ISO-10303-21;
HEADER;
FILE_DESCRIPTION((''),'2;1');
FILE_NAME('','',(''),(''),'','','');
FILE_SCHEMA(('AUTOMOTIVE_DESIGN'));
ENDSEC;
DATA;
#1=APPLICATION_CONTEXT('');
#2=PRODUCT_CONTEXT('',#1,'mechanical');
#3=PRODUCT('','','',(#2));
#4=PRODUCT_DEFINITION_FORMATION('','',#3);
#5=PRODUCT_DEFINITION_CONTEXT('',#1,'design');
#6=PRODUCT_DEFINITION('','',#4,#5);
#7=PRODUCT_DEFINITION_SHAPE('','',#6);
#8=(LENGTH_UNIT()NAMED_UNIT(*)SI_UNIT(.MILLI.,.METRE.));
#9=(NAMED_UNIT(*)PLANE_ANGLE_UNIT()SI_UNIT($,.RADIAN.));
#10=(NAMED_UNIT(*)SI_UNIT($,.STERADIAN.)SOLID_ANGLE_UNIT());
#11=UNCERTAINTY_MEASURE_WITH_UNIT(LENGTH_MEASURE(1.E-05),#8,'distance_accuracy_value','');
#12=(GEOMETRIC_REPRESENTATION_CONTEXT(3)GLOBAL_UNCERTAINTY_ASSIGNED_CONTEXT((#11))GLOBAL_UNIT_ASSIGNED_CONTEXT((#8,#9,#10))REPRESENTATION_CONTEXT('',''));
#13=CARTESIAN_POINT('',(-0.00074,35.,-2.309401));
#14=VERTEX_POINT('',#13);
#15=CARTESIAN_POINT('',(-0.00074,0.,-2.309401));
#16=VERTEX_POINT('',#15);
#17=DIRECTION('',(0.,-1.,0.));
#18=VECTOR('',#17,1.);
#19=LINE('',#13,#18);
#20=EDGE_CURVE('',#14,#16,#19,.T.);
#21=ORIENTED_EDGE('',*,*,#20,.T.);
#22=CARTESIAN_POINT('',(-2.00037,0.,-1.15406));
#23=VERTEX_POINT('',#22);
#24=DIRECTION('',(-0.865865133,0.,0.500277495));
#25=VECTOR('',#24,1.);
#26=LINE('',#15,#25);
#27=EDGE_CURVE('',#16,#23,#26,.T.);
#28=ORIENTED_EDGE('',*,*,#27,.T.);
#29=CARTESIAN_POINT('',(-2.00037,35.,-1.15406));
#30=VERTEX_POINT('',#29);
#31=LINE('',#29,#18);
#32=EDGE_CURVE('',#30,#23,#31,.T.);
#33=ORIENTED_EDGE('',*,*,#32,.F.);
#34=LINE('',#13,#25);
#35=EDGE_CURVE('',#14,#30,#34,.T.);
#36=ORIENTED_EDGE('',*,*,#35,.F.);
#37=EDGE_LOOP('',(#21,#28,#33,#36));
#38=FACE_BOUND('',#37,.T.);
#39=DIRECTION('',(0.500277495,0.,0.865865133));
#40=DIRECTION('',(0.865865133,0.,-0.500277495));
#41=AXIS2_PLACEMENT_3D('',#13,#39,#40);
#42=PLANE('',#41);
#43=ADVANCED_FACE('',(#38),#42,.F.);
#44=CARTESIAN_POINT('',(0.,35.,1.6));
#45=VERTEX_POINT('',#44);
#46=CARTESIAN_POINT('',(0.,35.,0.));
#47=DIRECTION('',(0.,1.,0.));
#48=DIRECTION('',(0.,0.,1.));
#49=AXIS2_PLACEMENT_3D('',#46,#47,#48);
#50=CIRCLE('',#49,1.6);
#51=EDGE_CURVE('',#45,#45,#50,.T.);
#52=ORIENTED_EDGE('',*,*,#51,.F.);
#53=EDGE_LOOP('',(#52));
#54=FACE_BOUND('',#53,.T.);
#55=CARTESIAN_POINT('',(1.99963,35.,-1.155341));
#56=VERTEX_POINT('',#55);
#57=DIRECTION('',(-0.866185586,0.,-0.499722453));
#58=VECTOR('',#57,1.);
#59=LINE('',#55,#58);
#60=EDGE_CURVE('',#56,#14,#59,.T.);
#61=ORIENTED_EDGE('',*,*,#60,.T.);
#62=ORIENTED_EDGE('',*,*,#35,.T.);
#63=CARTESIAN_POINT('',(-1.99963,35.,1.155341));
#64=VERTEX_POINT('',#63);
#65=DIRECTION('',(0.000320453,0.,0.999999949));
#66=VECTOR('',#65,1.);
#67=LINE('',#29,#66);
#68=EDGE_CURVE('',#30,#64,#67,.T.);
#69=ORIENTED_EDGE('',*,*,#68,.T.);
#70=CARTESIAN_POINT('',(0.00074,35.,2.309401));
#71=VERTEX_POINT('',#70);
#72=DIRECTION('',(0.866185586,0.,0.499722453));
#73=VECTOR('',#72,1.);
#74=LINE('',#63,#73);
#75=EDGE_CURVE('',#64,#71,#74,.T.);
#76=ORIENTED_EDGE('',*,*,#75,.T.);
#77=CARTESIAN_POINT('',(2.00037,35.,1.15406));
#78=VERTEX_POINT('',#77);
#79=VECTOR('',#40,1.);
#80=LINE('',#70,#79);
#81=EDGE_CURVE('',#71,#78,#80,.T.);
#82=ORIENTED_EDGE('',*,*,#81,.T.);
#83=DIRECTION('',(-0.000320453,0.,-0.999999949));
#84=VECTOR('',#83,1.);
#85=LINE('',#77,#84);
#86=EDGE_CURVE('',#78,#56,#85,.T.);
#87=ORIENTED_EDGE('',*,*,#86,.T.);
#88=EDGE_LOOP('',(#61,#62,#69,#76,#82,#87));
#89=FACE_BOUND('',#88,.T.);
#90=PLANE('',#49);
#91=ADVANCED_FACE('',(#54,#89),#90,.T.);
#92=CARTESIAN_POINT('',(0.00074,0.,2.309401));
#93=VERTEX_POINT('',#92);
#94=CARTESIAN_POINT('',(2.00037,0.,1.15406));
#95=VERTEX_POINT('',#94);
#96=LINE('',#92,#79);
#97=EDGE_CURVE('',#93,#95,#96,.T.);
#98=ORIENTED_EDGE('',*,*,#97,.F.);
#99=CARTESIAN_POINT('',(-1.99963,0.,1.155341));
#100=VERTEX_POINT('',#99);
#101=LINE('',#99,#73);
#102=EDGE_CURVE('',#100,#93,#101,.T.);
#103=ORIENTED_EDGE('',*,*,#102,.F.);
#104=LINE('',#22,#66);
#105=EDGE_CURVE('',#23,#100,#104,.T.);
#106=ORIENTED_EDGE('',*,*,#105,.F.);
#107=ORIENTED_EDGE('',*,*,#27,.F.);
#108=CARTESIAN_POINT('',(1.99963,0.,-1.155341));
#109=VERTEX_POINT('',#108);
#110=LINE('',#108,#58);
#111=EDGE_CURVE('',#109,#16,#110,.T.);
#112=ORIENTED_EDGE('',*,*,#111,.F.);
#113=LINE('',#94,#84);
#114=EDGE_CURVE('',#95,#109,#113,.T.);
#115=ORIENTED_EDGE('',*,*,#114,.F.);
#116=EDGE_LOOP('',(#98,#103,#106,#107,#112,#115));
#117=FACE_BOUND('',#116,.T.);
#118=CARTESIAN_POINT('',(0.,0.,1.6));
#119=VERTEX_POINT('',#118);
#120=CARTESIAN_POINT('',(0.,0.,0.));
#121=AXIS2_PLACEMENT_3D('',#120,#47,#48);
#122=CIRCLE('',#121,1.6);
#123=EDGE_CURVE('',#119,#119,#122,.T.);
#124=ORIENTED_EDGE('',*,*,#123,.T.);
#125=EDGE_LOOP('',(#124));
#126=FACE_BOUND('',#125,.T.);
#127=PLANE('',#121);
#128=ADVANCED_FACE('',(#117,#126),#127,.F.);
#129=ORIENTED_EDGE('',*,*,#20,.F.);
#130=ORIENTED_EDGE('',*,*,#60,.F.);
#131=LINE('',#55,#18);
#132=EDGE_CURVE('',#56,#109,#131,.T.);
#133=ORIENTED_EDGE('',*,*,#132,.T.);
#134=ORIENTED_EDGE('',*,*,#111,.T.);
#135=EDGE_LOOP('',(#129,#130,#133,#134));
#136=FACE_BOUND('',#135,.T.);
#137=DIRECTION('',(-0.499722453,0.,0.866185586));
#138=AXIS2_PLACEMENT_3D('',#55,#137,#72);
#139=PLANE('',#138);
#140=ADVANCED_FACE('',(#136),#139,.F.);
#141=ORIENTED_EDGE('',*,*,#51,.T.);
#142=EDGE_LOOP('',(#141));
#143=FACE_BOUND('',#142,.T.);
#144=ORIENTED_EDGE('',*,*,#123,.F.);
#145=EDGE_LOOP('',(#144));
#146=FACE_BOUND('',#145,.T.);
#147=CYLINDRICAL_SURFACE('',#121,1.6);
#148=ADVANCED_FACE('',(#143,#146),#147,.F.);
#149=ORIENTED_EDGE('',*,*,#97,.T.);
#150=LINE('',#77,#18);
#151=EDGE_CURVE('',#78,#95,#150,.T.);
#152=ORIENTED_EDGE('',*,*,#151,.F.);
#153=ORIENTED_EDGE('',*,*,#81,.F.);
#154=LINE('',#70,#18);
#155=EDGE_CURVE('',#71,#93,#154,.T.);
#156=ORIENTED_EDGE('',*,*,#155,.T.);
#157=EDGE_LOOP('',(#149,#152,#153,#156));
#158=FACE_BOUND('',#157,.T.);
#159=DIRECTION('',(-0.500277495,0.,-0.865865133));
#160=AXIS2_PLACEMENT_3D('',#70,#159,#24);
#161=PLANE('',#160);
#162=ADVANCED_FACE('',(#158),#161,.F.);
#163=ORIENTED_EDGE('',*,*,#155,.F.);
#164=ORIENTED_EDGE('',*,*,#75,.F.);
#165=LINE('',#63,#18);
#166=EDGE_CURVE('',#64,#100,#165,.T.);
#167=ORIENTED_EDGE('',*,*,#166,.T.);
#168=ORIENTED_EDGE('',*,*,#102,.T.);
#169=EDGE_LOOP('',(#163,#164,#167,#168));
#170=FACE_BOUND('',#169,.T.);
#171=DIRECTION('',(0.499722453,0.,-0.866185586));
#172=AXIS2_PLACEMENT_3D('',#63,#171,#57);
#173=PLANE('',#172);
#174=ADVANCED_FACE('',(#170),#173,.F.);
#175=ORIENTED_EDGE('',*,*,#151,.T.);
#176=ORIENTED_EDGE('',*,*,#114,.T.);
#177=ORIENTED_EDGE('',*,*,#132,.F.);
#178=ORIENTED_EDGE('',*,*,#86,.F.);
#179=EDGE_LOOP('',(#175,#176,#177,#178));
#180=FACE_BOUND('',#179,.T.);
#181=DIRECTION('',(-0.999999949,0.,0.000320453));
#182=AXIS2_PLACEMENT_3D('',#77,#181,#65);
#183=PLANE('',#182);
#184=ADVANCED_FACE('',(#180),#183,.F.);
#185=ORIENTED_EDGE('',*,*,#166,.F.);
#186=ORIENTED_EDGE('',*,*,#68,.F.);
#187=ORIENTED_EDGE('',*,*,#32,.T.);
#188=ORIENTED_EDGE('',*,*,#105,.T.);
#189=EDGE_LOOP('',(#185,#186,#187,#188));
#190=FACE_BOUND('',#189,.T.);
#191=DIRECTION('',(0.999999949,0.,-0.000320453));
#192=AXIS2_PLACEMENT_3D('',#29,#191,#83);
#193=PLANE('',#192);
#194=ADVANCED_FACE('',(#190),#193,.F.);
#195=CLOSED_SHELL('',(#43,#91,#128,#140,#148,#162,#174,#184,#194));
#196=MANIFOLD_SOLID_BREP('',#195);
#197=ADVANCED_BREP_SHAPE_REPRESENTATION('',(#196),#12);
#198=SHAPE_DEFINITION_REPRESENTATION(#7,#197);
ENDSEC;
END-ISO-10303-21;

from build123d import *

# Parameters (mm, degrees)
EXTRUDE_1_DEPTH     = 35
SKETCH_2_R          = 1.6
CUT_EXTRUDE_1_DEPTH = 36


with BuildPart() as part:
    # 草图1 → 凸台-拉伸1 (new body)
    with BuildSketch(Plane(origin=(0, 0, 0), x_dir=(1, 0, 0), z_dir=(0, 1, 0))):
        Polygon((2.000369925, -1.154059572), (1.99962987, 1.155341386), (-0.000740056, 2.309400958), (-2.000369925, 1.154059572), (-1.99962987, -1.155341386), (0.000740056, -2.309400958), align=None)
    extrude(amount=EXTRUDE_1_DEPTH)

    # 草图2 → 切除-拉伸1 (cut, through all)
    with BuildSketch(Plane(origin=(0, 35, 0), x_dir=(1, 0, 0), z_dir=(0, 1, 0))):
        Circle(SKETCH_2_R)
    extrude(amount=-CUT_EXTRUDE_1_DEPTH, mode=Mode.SUBTRACT)


solid = part.part
